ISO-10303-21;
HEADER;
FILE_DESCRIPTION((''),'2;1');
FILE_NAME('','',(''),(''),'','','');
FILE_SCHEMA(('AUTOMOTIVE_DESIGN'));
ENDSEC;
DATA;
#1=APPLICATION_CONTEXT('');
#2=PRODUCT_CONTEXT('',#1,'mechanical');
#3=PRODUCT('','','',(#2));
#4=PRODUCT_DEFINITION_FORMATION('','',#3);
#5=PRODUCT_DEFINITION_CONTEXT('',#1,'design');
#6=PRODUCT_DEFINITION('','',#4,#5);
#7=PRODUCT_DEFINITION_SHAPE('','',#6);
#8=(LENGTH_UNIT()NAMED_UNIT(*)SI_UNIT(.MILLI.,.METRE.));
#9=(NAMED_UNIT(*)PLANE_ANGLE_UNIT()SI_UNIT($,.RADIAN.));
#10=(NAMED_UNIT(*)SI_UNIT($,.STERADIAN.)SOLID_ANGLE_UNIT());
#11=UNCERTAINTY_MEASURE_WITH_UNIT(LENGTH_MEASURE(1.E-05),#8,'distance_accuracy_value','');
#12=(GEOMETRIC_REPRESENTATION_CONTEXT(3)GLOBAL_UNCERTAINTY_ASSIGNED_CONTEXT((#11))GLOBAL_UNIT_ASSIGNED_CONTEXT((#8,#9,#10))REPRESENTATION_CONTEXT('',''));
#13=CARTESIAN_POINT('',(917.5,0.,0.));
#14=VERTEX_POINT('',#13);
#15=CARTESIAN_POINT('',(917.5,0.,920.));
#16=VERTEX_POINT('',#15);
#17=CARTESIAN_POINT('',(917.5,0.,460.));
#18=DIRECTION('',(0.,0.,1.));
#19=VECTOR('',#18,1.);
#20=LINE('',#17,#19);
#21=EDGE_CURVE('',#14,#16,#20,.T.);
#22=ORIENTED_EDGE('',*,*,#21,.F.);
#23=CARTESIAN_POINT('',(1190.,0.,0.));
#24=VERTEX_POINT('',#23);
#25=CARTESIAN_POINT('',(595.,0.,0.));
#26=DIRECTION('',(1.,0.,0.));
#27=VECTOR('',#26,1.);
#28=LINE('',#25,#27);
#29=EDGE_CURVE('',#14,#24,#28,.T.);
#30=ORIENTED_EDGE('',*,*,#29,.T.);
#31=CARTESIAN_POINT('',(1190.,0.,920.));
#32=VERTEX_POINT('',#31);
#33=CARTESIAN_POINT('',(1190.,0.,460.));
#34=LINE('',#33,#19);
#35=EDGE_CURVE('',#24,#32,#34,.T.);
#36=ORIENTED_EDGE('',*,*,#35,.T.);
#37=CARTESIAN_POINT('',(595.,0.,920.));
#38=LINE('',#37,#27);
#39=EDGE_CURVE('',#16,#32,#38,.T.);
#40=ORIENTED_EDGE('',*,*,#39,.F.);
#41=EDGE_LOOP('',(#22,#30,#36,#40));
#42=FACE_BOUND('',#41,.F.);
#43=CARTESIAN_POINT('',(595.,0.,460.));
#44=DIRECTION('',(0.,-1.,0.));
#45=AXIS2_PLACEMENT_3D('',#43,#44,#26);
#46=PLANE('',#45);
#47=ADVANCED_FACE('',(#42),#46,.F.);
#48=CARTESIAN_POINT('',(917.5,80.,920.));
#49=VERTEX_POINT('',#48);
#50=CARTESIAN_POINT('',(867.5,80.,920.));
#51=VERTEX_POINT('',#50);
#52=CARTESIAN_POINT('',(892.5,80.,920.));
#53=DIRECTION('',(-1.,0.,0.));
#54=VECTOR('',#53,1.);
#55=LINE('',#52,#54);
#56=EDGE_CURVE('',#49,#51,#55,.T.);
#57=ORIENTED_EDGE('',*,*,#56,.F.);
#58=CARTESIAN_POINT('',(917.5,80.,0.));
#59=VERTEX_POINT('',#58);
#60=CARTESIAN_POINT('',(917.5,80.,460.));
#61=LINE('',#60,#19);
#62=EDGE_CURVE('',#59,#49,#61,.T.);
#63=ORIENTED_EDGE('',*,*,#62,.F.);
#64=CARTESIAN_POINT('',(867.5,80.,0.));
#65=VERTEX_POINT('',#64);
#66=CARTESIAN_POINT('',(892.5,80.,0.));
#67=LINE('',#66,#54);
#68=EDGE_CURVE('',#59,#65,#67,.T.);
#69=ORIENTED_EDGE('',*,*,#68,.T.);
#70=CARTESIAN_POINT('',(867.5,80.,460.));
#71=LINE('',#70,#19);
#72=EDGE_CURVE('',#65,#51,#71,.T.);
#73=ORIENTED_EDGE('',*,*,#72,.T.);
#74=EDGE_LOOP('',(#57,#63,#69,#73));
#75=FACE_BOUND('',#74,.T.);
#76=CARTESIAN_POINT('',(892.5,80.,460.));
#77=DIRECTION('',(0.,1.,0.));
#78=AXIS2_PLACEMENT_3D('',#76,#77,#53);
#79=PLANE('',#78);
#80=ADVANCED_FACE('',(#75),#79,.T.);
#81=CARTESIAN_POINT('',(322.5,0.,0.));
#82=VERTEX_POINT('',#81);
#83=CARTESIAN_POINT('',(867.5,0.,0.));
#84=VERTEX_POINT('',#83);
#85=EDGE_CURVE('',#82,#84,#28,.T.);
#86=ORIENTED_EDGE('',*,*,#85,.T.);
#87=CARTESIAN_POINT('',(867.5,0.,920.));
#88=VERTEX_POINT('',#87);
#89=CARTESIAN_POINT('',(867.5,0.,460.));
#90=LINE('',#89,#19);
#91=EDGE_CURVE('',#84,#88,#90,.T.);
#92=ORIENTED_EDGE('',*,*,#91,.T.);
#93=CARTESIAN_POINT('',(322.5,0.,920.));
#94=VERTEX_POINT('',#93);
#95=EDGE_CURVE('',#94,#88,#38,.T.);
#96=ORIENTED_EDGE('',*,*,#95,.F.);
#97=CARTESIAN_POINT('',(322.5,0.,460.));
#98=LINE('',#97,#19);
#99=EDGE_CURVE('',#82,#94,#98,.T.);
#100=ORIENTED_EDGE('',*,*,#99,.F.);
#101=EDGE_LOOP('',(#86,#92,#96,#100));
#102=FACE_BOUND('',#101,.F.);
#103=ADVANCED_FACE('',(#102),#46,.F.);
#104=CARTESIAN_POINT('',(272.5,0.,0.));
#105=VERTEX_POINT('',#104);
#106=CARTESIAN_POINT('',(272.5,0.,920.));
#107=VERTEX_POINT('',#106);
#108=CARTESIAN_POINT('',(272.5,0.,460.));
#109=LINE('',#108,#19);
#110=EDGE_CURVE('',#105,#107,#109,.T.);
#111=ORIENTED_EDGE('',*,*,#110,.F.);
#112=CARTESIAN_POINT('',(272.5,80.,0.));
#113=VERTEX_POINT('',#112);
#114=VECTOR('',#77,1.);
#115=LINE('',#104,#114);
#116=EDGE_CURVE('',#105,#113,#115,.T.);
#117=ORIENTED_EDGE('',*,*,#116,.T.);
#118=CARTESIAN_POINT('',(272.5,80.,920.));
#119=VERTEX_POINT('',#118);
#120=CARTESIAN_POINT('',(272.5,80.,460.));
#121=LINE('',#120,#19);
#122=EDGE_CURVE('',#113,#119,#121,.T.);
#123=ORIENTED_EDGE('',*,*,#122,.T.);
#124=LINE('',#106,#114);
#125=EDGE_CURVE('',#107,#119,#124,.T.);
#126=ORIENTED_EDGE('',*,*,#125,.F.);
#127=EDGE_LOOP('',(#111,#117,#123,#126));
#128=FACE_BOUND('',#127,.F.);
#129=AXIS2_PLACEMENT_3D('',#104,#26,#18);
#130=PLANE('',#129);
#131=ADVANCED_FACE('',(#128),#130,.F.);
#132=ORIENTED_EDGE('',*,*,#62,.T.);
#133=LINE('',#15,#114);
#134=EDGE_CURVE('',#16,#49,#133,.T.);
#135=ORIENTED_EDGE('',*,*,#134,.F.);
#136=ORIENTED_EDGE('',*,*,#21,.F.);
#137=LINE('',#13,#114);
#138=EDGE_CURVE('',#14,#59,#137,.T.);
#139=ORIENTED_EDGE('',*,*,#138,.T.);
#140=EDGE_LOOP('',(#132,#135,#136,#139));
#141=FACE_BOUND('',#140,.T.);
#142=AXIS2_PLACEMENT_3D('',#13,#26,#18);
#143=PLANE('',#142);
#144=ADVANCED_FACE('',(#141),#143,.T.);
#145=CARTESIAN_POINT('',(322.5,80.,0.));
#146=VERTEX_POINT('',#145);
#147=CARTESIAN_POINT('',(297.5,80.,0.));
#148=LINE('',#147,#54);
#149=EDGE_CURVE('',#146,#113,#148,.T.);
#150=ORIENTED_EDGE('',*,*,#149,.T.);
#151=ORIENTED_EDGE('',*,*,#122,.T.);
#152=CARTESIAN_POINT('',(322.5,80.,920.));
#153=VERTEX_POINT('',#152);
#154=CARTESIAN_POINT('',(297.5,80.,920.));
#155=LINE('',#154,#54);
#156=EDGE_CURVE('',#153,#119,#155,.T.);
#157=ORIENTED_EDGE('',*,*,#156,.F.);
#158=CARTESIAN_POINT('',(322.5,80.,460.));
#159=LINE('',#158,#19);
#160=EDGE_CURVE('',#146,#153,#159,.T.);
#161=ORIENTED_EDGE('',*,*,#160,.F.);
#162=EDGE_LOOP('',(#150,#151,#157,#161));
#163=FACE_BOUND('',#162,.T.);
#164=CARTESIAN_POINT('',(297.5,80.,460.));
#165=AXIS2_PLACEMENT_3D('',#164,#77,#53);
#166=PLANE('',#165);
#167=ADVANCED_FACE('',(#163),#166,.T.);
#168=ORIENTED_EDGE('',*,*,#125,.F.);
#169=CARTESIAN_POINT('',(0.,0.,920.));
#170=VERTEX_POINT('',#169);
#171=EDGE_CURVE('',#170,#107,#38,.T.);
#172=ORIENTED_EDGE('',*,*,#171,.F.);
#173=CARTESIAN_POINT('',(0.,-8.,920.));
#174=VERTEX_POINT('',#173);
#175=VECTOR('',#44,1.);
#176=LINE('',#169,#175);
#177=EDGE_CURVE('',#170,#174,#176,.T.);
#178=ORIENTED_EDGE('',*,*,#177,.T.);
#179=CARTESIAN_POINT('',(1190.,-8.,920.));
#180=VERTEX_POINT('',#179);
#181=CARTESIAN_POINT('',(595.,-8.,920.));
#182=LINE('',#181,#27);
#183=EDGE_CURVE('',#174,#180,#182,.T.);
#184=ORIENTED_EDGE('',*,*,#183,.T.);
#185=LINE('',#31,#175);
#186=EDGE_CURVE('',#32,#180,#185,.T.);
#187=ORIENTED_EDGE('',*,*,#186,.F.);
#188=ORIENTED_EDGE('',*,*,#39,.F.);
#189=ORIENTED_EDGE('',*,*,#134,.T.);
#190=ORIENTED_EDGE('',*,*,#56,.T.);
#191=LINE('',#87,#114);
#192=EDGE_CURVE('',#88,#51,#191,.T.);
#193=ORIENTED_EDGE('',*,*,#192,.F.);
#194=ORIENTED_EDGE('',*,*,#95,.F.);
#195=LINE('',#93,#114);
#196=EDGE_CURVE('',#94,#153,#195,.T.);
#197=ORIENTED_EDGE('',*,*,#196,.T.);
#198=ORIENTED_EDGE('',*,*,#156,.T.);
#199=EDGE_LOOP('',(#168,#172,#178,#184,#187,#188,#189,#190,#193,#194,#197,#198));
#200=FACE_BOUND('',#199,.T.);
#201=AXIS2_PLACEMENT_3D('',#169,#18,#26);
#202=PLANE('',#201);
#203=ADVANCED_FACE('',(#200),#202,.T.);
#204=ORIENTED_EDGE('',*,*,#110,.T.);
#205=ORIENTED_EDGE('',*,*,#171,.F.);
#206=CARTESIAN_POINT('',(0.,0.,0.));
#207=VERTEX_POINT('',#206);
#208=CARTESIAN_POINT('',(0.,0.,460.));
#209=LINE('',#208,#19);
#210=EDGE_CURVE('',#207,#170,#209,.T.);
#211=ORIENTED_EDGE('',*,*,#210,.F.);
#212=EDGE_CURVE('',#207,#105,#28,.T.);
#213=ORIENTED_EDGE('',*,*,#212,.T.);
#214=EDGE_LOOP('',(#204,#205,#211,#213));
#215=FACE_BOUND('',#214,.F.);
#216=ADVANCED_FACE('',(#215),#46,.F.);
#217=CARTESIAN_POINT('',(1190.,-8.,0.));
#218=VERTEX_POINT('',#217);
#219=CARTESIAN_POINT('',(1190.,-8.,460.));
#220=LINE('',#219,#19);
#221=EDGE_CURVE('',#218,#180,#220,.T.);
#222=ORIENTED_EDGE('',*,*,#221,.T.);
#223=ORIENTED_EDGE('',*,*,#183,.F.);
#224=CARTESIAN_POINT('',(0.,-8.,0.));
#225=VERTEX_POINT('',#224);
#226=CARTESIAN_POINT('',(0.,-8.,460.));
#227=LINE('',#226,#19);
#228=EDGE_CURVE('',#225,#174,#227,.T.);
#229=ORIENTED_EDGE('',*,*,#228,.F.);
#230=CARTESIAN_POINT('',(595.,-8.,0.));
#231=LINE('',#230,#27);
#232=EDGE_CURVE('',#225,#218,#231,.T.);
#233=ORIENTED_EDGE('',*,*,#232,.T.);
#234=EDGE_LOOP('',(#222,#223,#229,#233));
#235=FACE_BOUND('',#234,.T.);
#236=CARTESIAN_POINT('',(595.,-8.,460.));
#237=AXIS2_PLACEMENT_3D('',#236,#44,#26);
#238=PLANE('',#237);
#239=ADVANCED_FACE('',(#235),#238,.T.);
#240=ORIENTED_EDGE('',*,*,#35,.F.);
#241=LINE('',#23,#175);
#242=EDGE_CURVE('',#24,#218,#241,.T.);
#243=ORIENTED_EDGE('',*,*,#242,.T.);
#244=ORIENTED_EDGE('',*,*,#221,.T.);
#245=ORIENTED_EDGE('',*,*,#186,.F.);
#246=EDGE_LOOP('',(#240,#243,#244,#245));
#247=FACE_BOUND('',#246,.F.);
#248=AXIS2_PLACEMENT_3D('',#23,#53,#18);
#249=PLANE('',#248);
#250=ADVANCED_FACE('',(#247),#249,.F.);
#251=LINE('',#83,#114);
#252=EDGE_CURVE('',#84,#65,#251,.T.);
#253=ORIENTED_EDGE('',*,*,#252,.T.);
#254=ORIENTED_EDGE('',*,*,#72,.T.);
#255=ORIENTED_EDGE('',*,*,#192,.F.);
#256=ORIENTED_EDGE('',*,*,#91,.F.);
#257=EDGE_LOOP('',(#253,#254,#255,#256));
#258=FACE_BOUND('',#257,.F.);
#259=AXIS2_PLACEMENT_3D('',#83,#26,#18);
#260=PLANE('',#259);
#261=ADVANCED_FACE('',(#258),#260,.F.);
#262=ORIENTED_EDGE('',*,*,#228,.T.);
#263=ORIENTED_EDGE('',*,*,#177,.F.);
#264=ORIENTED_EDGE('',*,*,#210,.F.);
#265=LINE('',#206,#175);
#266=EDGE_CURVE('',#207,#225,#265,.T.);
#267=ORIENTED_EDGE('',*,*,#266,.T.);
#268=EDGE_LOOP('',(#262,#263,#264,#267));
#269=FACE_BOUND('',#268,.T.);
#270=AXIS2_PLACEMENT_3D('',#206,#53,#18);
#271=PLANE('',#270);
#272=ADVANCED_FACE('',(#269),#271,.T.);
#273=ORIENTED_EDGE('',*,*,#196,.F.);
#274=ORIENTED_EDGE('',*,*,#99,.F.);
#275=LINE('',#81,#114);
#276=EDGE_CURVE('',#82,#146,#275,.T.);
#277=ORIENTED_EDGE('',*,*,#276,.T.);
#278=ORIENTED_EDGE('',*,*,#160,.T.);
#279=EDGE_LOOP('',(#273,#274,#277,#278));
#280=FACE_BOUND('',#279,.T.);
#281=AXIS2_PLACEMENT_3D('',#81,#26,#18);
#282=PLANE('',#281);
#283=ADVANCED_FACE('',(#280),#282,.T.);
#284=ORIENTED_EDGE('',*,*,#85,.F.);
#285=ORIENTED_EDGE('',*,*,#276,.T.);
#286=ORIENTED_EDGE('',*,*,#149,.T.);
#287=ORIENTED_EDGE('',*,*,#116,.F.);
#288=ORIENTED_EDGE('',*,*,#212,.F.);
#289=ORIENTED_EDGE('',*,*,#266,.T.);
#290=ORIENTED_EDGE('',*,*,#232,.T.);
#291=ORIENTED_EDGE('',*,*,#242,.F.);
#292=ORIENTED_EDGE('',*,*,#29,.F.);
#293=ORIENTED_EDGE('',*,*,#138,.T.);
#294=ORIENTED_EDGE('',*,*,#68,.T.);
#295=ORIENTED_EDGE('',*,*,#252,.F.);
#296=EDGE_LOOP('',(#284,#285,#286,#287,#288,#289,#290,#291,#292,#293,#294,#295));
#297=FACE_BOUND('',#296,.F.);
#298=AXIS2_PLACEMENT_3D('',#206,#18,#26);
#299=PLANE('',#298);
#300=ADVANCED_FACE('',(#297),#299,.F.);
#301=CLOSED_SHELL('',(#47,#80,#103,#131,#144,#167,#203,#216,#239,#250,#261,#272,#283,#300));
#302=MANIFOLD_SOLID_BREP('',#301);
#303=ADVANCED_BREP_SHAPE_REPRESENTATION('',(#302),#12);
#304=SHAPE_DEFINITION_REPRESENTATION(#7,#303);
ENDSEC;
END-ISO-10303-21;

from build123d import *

# Parameters (mm, degrees)
F0_W     = 1190
F0_H     = 920
F1_DEPTH = 8
F2_W     = 50
F2_H     = 920
F3_DEPTH = 80


with BuildPart() as f1:
    # F0 (on Front) → F1 (new body)
    with BuildSketch(Plane.XZ):
        with Locations((595, 460)):
            Rectangle(F0_W, F0_H)
    extrude(amount=F1_DEPTH)

    # F2 (on face) → F3 (join)
    with BuildSketch(Plane(origin=(0, 0, 0), x_dir=(-1, 0, 0), z_dir=(0, 1, 0))):
        with Locations((-892.5, 460)):
            Rectangle(F2_W, F2_H)
        with Locations((-297.5, 460)):
            Rectangle(F2_W, F2_H)
    extrude(amount=F3_DEPTH)


solid = f1.part
